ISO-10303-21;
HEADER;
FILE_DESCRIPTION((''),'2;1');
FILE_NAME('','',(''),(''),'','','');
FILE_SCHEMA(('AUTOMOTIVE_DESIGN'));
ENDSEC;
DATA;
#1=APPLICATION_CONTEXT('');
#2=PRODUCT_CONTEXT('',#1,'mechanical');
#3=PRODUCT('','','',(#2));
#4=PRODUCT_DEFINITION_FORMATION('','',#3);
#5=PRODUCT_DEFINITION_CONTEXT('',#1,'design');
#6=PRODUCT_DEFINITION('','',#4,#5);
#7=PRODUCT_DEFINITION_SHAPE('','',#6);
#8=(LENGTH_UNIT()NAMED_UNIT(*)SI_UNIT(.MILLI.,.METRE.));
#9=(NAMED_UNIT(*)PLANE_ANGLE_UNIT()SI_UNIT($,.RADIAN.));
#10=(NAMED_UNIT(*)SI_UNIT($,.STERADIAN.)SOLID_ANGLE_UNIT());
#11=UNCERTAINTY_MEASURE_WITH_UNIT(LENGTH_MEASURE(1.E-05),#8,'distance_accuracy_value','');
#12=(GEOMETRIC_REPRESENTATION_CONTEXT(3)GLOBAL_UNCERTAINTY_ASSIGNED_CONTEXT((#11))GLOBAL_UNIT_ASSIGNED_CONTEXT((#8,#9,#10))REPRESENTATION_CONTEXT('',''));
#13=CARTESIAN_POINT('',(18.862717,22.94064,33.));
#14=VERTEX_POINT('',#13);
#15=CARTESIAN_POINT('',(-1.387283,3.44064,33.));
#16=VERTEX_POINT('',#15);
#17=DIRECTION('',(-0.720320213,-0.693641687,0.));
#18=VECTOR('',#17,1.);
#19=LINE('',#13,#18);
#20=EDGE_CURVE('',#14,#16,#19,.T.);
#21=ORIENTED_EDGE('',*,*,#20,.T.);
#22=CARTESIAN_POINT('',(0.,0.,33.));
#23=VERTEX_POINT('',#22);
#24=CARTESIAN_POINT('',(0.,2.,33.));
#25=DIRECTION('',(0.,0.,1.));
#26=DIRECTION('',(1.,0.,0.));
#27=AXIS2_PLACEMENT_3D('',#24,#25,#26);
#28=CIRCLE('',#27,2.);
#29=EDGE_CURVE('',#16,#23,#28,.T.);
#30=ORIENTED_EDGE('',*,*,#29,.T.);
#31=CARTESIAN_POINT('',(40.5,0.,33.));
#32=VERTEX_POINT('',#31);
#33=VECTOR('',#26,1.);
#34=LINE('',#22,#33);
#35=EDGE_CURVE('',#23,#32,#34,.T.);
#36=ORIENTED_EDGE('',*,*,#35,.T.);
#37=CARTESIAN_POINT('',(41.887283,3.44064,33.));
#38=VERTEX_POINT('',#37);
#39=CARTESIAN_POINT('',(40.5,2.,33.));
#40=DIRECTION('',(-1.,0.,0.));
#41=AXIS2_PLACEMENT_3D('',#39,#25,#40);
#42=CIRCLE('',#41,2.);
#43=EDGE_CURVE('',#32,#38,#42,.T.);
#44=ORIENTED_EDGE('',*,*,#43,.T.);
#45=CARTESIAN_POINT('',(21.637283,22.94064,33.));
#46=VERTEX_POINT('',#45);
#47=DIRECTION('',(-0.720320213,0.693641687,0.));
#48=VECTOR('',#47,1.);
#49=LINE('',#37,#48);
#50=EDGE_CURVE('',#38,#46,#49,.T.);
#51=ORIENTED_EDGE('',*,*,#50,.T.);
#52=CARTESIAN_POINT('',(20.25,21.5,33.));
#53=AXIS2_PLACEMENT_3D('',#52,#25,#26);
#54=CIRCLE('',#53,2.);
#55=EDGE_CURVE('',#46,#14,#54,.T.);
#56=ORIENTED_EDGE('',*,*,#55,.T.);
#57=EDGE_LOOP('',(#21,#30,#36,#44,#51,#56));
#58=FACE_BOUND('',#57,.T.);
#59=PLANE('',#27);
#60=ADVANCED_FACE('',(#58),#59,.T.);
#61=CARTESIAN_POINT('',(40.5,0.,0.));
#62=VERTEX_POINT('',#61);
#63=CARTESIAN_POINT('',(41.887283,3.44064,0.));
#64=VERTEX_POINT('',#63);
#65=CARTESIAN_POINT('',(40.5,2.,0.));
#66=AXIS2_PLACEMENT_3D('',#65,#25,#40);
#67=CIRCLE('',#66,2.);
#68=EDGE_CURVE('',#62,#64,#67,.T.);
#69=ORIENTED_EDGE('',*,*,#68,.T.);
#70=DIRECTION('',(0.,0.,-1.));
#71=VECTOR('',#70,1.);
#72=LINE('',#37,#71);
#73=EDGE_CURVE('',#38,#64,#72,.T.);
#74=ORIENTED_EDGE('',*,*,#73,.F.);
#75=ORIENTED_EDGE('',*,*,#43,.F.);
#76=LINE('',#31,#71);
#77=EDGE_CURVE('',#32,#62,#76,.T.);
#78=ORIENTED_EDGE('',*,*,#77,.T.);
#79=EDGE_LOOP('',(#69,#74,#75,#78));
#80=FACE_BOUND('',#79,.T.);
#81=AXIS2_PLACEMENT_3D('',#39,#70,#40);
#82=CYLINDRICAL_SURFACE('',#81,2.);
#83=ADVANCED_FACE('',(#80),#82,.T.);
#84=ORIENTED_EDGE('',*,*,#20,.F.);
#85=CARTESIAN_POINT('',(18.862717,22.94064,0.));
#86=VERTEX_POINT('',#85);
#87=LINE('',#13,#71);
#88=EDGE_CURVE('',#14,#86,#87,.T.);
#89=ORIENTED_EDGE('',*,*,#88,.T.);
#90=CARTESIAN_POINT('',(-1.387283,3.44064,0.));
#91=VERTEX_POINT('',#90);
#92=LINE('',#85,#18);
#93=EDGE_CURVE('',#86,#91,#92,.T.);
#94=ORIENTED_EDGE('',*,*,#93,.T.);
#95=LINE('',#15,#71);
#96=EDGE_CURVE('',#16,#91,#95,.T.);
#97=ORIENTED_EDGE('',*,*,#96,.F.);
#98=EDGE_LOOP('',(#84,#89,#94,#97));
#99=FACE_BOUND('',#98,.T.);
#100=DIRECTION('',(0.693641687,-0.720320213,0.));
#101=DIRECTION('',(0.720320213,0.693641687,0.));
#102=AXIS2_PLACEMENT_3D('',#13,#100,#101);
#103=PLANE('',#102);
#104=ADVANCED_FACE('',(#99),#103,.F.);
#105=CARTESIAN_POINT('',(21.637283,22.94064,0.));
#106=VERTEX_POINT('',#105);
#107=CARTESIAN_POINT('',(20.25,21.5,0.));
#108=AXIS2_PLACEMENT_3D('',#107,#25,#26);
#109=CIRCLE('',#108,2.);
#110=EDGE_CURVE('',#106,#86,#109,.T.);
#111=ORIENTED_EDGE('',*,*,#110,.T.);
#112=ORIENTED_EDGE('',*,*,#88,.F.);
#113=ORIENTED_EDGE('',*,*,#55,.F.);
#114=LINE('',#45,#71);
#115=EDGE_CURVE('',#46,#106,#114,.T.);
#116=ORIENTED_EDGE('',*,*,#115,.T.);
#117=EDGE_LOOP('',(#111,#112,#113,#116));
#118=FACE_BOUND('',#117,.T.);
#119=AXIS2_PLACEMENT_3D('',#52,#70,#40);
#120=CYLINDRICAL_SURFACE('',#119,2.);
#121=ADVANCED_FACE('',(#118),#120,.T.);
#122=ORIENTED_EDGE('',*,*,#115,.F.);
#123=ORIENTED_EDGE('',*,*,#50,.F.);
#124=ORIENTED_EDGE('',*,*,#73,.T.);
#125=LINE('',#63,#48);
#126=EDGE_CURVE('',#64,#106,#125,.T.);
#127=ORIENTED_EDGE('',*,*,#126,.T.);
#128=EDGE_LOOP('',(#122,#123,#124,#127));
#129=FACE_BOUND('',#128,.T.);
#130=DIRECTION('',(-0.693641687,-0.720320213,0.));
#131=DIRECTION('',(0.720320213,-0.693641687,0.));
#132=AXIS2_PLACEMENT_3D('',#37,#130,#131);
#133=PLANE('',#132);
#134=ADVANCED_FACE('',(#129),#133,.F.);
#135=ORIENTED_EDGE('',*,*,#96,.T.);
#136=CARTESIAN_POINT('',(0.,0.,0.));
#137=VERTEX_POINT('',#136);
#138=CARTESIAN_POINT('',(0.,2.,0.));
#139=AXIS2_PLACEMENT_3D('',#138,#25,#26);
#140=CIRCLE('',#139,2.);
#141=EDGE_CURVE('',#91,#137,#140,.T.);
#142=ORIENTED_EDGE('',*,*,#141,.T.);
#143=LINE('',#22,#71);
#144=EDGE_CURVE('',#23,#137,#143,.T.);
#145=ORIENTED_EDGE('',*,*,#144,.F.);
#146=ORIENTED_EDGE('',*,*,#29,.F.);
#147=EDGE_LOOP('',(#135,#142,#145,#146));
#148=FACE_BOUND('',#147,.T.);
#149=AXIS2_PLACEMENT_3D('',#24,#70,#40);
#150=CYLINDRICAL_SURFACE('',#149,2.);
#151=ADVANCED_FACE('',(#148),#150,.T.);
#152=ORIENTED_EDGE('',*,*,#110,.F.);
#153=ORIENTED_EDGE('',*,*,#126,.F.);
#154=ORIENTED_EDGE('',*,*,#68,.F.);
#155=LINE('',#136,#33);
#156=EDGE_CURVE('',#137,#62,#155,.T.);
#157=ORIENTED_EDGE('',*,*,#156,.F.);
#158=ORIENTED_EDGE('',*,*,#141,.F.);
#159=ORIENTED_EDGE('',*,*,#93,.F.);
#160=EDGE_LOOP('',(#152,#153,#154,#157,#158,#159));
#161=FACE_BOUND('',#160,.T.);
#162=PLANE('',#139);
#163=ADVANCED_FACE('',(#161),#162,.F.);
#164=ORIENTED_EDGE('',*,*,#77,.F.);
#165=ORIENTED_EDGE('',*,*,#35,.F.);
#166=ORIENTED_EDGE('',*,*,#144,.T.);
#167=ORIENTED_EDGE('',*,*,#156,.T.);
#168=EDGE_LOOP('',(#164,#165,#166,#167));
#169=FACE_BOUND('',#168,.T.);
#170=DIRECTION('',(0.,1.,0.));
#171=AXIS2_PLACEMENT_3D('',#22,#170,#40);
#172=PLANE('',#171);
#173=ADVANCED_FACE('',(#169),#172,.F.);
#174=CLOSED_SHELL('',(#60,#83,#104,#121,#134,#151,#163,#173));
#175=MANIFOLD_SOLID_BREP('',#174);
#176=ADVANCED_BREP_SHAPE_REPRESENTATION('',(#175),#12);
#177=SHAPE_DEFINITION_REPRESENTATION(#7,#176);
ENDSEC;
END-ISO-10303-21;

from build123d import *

# Parameters (mm, degrees)
EXTRUDE1_DEPTH = 33


with BuildPart() as part:
    # Sketch1 → Extrude1 (new body)
    with BuildSketch(Plane.XY):
        with BuildLine():
            Line((0, 0), (40.5, 0))
            ThreePointArc((40.5, 0), (42.354896339, 1.252096548), (41.887283374, 3.440640427))
            Line((41.887283374, 3.440640427), (21.637283374, 22.940640427))
            ThreePointArc((21.637283374, 22.940640427), (20.25, 23.5), (18.862716626, 22.940640427))
            Line((18.862716626, 22.940640427), (-1.387283374, 3.440640427))
            ThreePointArc((-1.387283374, 3.440640427), (-1.854896339, 1.252096548), (0, 0))
        make_face()
    extrude(amount=EXTRUDE1_DEPTH)


solid = part.part
